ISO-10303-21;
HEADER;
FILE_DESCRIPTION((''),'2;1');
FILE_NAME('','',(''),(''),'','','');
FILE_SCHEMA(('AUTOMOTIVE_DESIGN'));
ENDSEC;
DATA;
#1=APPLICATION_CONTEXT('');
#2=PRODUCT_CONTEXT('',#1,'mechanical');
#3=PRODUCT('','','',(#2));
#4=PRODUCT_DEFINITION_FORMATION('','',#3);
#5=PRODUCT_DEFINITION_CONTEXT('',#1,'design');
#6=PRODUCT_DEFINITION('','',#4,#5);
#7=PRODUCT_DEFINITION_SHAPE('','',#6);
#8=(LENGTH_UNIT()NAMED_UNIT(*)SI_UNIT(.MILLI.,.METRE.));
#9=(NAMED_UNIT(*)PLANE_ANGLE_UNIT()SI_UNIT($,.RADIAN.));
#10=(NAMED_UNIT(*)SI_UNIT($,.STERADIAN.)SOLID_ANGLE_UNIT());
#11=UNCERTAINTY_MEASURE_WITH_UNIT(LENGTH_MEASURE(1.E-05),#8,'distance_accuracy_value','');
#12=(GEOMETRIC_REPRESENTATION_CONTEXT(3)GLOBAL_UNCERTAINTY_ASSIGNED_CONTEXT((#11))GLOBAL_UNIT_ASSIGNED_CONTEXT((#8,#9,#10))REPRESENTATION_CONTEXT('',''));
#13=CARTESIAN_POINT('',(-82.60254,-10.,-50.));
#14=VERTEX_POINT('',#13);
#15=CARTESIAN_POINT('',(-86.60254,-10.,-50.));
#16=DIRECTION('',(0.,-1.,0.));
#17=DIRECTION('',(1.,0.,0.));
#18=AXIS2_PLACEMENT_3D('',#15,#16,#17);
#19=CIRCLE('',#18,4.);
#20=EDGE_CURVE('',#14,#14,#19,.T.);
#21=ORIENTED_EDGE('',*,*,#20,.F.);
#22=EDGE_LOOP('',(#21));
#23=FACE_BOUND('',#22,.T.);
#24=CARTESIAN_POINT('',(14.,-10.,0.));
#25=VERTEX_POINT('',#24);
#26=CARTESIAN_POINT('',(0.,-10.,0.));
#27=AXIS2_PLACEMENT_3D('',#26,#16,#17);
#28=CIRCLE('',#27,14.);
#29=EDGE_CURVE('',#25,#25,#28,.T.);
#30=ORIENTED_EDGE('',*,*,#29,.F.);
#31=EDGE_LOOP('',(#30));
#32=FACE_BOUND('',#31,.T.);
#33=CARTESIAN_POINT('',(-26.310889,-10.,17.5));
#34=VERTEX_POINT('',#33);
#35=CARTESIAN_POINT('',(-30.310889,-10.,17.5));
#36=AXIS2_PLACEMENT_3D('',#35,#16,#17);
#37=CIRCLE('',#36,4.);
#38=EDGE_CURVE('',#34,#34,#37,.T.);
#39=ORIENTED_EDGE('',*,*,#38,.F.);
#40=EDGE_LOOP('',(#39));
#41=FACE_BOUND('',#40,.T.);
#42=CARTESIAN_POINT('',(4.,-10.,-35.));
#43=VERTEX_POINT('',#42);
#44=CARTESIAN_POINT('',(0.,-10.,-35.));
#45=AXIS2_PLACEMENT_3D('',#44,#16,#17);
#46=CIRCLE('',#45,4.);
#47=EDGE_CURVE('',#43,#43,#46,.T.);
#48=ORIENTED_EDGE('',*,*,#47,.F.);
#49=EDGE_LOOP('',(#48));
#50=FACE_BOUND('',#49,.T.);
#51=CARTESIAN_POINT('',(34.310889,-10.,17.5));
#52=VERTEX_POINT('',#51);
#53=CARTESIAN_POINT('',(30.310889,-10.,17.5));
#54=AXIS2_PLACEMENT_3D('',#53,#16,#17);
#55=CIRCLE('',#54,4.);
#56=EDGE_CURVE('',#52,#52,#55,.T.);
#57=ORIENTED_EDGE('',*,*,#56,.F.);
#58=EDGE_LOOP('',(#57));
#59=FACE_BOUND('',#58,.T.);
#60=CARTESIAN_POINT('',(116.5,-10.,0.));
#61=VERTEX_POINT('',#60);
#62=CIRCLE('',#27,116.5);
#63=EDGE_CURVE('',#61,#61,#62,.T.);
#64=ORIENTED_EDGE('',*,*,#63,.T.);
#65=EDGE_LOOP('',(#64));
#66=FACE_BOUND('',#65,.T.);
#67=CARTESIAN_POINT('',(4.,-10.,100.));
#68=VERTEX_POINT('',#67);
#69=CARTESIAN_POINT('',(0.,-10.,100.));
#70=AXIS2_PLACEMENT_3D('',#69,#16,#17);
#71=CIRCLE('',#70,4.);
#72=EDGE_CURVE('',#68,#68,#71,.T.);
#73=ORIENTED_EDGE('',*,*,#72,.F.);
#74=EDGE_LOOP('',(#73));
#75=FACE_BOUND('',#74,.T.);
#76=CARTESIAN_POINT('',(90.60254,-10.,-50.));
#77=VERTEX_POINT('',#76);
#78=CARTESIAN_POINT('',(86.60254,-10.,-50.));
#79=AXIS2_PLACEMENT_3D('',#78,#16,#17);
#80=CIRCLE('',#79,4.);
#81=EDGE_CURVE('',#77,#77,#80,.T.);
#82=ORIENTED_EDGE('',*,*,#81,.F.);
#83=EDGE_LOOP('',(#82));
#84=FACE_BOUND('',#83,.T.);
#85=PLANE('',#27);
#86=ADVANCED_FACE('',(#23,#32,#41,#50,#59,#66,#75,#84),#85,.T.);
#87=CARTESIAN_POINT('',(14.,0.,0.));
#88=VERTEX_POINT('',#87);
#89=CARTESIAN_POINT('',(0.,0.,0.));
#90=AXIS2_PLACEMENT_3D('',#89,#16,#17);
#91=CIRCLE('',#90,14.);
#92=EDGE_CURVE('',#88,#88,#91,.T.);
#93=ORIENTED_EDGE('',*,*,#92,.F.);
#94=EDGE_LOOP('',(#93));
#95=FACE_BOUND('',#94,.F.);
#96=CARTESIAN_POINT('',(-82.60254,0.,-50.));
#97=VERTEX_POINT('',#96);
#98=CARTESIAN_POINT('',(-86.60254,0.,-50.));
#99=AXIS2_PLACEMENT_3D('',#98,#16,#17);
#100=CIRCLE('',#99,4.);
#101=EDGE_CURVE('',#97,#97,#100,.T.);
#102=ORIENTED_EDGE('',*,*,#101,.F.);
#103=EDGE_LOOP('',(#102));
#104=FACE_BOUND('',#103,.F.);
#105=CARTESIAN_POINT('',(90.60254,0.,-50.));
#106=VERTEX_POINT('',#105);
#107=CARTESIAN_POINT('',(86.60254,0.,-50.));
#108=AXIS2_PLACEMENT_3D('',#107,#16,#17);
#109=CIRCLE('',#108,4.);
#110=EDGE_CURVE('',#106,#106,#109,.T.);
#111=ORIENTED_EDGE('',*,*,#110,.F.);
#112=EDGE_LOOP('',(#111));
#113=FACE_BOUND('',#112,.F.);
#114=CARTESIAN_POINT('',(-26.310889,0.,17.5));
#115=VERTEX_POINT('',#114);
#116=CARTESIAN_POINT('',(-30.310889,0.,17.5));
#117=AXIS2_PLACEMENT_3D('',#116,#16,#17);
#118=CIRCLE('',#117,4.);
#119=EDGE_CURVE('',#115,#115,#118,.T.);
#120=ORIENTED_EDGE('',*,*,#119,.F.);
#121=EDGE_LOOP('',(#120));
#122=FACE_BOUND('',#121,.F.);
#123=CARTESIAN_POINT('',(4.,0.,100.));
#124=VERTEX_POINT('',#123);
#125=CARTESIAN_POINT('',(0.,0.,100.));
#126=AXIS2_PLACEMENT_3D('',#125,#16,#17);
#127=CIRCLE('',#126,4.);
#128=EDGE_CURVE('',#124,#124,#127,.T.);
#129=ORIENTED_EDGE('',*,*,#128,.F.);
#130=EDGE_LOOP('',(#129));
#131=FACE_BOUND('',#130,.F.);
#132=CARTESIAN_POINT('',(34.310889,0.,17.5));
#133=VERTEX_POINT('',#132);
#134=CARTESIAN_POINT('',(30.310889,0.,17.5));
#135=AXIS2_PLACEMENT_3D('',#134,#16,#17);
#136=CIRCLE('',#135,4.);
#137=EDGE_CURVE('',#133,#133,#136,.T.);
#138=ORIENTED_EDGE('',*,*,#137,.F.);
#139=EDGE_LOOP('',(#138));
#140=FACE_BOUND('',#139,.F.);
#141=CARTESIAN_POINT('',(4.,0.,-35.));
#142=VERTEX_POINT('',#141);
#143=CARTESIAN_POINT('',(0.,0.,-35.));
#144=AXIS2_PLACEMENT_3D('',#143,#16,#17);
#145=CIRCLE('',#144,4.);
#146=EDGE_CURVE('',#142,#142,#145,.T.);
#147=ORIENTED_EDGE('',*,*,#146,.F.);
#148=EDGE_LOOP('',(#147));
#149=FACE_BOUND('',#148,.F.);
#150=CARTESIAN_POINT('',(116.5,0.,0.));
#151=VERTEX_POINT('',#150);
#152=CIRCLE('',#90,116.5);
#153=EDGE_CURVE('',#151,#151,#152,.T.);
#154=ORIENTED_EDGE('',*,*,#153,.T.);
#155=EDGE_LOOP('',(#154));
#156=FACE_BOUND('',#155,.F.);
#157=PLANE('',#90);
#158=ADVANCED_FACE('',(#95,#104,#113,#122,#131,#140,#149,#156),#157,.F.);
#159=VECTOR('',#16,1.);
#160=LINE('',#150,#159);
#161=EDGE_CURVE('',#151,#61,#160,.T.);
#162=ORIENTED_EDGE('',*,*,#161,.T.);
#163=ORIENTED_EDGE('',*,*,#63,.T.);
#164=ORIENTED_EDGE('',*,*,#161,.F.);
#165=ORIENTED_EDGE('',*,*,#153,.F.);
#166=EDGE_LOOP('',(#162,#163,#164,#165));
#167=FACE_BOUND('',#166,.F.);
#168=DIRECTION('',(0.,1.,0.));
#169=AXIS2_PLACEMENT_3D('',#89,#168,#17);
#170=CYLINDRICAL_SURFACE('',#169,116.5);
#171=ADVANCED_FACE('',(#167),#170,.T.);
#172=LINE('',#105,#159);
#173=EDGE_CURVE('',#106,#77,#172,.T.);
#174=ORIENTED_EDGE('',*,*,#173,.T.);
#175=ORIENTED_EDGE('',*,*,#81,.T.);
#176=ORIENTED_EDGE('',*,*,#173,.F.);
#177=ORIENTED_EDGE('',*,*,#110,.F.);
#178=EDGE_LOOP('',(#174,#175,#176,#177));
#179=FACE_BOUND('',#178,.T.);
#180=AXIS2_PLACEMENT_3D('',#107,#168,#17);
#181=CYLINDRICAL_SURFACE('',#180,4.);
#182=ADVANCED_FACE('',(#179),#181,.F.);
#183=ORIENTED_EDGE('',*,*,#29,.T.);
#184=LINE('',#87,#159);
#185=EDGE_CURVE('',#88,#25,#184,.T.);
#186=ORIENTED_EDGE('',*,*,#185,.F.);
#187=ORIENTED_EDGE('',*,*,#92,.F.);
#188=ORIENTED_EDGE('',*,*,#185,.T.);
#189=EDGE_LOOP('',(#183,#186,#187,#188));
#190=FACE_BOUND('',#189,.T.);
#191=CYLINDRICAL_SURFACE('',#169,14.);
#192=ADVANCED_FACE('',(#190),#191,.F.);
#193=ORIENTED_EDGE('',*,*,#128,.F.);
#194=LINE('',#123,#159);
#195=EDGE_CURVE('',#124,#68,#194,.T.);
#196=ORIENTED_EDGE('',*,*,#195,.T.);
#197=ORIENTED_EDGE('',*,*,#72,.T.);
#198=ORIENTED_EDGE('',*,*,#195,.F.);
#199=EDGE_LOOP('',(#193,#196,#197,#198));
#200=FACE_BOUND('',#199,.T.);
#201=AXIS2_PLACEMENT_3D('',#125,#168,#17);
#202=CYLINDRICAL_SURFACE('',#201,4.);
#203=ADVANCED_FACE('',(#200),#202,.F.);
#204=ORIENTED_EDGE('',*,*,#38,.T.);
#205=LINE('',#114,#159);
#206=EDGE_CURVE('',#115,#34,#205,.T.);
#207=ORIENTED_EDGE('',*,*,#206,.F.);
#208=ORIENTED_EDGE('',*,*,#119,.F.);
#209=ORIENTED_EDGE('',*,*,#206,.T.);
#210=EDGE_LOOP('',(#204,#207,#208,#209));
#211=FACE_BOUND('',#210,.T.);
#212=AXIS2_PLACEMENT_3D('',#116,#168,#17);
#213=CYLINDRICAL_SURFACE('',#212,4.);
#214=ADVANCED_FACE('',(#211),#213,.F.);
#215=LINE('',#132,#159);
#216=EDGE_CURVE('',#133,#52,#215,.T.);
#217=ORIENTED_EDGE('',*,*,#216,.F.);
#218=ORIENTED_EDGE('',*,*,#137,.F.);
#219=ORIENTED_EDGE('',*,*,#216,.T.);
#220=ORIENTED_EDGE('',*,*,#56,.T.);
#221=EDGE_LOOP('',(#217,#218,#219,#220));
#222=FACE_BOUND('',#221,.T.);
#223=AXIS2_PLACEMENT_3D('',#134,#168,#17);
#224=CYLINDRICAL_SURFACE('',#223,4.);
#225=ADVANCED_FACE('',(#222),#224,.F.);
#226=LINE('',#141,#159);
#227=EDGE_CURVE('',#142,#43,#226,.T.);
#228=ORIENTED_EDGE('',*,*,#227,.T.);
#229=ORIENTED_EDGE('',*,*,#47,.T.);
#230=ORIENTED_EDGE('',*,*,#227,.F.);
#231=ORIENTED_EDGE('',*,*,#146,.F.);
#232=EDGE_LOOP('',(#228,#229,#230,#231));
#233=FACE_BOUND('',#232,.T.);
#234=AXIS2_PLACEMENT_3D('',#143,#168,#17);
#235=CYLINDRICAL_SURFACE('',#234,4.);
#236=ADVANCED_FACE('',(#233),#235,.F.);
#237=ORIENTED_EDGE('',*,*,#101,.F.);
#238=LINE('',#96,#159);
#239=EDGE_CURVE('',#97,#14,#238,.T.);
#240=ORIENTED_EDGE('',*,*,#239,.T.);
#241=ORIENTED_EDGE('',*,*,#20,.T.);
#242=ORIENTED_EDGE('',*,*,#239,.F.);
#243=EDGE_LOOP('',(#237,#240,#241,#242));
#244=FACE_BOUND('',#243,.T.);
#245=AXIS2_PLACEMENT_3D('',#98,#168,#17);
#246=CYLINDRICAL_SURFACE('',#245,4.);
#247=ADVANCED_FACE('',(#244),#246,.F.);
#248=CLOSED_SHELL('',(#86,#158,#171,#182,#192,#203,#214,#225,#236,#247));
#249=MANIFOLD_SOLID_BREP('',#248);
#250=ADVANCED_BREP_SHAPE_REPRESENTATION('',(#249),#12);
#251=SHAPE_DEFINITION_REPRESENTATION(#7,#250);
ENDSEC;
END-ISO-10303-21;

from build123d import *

# Parameters (mm, degrees)
F0_R     = 116.5
F0_R_2   = 4
F0_R_3   = 14
F1_DEPTH = 10


with BuildPart() as f1:
    # F0 (on Front) → F1 (new body)
    with BuildSketch(Plane.XZ):
        Circle(F0_R)
        with Locations((-86.60254, -50)):
            Circle(F0_R_2, mode=Mode.SUBTRACT)
        with Locations((0, -35)):
            Circle(F0_R_2, mode=Mode.SUBTRACT)
        with Locations((86.60254, -50)):
            Circle(F0_R_2, mode=Mode.SUBTRACT)
        with Locations((-30.310889, 17.5)):
            Circle(F0_R_2, mode=Mode.SUBTRACT)
        Circle(F0_R_3, mode=Mode.SUBTRACT)
        with Locations((30.310889, 17.5)):
            Circle(F0_R_2, mode=Mode.SUBTRACT)
        with Locations((0, 100)):
            Circle(F0_R_2, mode=Mode.SUBTRACT)
    extrude(amount=F1_DEPTH)


solid = f1.part
